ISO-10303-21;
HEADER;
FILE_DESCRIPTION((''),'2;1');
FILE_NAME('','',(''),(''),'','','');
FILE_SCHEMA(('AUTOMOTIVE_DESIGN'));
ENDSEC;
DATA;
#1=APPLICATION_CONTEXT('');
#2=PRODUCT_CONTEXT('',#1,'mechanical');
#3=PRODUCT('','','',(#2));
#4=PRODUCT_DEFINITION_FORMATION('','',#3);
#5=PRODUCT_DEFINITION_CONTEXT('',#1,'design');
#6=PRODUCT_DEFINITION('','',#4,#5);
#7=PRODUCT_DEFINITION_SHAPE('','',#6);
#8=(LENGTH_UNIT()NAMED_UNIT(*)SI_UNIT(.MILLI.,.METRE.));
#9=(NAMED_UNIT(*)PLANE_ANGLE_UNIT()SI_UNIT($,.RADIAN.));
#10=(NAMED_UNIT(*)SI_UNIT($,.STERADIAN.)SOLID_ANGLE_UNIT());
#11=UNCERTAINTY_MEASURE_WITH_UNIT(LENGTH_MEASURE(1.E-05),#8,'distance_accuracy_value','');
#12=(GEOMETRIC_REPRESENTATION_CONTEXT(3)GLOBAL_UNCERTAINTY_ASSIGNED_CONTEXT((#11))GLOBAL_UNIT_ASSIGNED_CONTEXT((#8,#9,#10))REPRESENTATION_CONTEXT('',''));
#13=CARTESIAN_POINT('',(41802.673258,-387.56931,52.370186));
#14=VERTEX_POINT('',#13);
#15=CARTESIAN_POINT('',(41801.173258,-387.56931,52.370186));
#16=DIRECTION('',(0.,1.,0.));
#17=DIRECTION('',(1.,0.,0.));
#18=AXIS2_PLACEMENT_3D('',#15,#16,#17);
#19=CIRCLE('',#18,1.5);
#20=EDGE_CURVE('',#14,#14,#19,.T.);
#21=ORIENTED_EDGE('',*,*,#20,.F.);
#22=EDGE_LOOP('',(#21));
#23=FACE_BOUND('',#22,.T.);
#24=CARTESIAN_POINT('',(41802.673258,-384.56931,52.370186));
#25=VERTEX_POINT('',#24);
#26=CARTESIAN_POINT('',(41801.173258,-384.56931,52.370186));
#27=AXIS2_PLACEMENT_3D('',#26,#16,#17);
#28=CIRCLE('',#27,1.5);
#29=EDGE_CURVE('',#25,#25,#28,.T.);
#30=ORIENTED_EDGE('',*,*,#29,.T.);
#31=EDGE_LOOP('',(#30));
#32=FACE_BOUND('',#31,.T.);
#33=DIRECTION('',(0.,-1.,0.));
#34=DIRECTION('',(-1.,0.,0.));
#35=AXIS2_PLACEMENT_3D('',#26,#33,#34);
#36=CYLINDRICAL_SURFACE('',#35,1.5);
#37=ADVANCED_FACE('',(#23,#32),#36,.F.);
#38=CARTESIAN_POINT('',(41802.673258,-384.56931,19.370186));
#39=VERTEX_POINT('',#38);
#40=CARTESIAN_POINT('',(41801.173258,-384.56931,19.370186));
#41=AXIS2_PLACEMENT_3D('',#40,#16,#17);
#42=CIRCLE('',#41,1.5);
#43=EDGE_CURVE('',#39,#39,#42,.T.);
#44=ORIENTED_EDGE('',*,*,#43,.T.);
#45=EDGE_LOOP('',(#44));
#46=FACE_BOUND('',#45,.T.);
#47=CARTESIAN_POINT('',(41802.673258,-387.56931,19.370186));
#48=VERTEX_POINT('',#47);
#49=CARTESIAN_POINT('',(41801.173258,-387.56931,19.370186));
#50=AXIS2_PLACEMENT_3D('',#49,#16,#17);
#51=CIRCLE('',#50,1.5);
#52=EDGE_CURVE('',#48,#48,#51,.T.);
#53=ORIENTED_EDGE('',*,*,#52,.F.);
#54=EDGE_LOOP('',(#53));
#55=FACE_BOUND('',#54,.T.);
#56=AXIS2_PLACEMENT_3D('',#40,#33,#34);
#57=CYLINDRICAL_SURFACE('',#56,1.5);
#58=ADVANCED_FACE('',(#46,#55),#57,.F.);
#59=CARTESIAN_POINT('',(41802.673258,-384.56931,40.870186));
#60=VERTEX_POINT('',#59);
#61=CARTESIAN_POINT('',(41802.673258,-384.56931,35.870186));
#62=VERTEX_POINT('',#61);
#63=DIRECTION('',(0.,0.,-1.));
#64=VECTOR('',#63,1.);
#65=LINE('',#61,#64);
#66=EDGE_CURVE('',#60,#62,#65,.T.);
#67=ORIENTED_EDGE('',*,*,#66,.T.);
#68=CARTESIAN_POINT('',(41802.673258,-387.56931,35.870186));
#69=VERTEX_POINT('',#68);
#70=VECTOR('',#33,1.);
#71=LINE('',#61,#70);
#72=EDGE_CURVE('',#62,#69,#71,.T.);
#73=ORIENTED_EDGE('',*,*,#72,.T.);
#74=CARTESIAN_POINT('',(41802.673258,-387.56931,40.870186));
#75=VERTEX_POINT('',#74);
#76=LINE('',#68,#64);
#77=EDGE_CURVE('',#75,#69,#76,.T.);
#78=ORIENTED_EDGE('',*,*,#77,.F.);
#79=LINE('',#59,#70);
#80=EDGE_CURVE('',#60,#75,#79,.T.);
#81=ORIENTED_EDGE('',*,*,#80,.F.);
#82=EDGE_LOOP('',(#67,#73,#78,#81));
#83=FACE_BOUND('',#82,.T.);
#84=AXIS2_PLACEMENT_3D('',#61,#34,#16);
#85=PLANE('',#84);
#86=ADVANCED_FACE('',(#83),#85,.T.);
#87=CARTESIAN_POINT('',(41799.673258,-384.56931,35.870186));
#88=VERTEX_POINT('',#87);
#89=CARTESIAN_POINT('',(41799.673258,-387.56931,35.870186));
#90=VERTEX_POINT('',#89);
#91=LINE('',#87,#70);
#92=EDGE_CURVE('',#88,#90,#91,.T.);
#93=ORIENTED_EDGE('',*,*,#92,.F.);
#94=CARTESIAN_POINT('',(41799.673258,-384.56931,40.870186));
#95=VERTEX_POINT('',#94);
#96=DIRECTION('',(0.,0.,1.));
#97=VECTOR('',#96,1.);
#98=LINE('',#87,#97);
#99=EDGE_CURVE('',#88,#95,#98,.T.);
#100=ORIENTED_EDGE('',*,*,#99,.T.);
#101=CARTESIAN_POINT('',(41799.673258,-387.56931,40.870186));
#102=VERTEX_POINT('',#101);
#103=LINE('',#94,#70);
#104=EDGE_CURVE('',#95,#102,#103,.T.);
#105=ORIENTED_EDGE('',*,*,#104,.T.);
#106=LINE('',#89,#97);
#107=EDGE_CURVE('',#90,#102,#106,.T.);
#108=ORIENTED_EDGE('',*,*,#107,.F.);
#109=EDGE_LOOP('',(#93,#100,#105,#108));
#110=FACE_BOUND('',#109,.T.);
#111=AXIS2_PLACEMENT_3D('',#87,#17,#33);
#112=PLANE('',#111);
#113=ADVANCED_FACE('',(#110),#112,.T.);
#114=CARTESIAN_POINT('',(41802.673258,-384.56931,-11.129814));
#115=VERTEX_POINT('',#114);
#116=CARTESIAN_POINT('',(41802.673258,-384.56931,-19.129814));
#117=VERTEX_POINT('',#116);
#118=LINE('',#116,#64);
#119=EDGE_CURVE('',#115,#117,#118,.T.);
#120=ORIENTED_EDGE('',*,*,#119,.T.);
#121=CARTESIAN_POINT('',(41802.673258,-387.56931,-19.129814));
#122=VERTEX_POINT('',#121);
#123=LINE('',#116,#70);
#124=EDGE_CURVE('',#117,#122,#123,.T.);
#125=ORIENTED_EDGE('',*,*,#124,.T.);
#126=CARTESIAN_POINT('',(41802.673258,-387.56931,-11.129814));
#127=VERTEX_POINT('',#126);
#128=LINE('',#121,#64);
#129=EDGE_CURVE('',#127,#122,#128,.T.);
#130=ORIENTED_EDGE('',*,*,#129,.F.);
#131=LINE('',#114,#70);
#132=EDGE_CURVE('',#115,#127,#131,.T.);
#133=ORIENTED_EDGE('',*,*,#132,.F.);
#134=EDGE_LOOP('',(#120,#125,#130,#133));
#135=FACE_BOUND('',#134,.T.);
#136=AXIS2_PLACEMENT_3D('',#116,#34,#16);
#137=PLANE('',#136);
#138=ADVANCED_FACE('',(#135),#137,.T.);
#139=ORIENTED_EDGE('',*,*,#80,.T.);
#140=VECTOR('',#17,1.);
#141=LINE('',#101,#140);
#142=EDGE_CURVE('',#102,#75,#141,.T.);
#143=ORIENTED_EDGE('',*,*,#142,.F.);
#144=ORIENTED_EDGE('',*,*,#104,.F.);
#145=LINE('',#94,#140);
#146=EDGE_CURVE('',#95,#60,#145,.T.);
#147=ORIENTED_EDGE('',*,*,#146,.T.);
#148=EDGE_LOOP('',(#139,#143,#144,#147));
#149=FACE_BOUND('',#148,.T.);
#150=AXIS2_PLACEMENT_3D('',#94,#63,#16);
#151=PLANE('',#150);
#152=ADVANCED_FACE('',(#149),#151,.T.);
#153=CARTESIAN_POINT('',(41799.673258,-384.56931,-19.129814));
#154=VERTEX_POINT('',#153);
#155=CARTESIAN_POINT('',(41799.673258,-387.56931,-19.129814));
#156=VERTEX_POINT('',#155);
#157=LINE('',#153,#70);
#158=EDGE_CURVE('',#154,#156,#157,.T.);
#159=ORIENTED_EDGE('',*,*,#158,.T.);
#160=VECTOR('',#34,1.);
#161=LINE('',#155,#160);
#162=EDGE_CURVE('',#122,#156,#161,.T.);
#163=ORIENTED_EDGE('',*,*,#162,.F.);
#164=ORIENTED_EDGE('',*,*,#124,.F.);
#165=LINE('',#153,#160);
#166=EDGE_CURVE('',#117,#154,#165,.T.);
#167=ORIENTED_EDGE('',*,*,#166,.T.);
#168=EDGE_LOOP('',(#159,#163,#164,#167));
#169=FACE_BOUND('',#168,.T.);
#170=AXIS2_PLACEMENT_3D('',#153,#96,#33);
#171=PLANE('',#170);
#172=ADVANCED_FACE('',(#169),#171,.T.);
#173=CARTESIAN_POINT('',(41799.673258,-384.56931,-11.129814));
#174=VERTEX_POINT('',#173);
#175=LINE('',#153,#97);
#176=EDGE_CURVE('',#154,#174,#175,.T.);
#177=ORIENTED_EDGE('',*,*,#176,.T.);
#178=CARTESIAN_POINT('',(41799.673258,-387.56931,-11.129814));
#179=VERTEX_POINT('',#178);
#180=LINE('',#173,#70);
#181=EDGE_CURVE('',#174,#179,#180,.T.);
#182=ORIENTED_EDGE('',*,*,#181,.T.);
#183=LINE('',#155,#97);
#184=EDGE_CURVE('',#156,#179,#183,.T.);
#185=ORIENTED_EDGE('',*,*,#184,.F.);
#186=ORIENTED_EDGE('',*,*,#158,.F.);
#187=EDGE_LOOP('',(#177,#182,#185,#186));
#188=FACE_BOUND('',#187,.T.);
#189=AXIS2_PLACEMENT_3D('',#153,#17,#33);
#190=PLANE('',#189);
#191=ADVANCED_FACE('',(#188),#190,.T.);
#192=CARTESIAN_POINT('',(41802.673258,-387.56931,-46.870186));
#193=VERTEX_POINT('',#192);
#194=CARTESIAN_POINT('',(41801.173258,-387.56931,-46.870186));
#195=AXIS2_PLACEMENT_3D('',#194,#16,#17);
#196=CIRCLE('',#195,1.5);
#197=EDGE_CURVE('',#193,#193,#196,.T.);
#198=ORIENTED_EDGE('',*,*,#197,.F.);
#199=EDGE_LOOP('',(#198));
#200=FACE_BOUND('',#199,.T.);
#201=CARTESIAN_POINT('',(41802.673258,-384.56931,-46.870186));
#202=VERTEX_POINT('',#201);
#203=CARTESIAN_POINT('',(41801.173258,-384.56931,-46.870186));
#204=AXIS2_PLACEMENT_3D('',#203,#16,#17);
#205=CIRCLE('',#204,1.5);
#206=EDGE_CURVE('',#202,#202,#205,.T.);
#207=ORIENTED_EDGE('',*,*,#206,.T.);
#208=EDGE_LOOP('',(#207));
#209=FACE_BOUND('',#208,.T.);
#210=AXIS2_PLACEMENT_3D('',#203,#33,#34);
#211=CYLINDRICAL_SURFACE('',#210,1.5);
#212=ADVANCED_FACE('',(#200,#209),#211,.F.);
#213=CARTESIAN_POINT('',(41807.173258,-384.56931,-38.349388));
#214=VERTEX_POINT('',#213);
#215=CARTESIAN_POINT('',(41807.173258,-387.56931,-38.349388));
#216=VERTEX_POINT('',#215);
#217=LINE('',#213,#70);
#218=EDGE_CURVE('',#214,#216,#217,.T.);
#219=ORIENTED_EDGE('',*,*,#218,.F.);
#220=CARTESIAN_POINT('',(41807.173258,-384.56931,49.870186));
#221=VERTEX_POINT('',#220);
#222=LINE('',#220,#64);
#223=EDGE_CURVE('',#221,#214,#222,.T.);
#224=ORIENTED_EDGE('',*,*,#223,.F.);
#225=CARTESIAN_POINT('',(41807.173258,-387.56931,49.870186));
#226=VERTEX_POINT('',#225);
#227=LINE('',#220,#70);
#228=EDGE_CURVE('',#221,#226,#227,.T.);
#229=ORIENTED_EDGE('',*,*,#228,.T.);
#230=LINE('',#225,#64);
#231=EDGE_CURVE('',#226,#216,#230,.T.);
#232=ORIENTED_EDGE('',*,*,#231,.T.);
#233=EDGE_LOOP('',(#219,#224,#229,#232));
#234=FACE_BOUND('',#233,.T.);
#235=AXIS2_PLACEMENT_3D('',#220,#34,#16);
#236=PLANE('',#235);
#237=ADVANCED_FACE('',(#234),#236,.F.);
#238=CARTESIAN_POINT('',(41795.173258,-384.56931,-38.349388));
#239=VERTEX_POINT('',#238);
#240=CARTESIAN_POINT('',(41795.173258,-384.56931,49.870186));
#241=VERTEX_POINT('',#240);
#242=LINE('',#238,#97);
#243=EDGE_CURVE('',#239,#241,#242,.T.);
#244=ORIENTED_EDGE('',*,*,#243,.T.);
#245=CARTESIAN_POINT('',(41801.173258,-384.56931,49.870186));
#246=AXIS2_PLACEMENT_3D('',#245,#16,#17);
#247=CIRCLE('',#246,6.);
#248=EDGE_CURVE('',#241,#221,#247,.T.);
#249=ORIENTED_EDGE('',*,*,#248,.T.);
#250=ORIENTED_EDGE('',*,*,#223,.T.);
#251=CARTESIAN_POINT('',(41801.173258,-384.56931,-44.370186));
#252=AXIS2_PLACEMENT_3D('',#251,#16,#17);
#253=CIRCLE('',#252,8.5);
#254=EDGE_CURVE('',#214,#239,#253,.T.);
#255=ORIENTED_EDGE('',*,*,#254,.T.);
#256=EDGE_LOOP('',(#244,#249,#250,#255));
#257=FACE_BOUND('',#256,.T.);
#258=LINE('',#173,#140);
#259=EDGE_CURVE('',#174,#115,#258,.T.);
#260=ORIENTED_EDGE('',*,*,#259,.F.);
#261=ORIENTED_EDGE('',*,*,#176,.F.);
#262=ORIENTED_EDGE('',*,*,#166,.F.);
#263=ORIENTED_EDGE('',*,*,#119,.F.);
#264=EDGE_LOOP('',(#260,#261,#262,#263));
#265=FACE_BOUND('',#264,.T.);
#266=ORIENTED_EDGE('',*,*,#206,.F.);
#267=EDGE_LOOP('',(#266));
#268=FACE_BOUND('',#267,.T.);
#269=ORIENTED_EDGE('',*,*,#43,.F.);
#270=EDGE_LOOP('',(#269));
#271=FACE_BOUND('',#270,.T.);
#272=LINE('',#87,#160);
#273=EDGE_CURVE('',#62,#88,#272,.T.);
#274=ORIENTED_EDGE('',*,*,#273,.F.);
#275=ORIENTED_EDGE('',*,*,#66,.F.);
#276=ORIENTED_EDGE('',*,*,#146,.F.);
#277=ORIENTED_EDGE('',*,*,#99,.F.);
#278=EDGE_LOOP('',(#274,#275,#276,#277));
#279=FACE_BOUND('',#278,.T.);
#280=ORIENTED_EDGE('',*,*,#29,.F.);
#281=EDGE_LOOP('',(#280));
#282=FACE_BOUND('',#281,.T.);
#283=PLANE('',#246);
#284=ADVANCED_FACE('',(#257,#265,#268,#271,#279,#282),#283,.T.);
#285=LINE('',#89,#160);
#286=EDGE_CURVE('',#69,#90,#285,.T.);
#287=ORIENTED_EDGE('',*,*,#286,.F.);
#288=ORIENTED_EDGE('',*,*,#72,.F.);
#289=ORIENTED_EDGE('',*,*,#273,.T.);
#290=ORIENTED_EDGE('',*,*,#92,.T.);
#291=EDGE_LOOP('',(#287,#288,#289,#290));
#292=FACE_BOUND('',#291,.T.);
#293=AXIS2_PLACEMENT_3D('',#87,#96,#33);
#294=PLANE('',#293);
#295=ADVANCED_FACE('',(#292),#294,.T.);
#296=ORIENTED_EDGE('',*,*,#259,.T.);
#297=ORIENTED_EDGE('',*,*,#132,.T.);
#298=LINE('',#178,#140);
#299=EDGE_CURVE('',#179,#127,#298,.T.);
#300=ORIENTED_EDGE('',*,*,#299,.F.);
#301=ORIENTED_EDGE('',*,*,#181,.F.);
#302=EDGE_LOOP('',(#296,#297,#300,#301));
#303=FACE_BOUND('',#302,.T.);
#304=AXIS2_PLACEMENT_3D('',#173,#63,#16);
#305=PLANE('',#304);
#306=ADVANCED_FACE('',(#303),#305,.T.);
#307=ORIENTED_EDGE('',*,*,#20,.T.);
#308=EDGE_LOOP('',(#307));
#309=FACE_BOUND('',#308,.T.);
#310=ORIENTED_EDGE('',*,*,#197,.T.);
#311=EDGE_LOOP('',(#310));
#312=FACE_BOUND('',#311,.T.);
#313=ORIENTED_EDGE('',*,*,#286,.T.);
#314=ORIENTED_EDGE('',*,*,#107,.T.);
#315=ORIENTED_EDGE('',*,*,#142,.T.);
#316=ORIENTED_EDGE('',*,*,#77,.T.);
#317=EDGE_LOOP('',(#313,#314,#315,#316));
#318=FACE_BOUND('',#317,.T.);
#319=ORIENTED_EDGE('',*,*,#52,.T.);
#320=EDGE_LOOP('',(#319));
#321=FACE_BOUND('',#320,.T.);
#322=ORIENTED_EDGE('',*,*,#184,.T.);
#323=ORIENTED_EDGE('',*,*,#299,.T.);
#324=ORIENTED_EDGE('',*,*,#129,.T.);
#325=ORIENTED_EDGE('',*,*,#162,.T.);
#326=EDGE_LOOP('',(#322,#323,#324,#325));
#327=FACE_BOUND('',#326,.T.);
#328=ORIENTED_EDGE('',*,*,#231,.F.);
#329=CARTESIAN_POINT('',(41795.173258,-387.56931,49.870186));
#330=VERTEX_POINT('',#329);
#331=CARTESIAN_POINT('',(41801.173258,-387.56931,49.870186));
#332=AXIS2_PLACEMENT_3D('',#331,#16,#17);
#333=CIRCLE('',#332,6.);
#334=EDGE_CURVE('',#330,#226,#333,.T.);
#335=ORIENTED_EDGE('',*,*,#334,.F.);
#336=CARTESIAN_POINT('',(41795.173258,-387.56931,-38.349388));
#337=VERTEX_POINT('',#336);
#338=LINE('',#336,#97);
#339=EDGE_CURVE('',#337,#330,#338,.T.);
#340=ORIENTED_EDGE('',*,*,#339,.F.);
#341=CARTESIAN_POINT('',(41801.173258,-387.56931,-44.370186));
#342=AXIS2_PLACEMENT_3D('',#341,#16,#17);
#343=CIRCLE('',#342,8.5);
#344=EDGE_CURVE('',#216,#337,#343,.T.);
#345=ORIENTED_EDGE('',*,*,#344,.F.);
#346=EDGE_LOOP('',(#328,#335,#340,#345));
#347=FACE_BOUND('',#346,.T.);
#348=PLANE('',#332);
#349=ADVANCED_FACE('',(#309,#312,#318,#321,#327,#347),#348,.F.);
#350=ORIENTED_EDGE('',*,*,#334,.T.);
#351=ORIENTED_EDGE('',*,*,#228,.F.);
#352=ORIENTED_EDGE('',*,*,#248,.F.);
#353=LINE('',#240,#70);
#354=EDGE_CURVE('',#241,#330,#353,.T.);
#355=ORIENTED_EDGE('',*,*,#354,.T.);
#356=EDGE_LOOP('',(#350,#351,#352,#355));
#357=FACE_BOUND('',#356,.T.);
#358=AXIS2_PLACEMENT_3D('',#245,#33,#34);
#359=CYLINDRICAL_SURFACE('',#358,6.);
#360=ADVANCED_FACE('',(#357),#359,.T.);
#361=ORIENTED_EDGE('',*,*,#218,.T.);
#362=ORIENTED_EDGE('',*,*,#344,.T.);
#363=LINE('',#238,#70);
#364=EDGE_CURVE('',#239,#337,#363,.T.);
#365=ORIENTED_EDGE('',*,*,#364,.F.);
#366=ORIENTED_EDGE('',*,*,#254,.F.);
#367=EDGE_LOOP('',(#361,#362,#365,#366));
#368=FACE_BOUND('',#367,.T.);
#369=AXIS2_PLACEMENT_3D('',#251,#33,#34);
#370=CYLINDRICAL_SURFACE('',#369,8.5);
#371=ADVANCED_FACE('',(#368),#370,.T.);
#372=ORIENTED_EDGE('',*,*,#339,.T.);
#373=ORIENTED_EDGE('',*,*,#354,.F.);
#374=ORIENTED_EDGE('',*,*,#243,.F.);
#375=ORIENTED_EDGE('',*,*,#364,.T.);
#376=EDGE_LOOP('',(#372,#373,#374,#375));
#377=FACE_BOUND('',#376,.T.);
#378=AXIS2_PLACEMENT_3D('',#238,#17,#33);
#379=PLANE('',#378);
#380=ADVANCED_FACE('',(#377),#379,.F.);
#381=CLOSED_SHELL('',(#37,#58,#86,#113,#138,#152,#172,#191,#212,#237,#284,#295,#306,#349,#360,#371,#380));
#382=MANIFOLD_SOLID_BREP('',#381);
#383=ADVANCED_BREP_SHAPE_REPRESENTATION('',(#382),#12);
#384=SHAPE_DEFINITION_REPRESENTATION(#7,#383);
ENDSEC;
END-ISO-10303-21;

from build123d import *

# Parameters (mm, degrees)
CROQUIS1_R                 = 1.5
CROQUIS1_W                 = 3
CROQUIS1_H                 = 7.999999999
CROQUIS1_H_2               = 5
SALIENTE_EXTRUIR1_DEPTH    = 3
S_LIDO_MOVER_COPIAR1_ANGLE = 90


with BuildPart() as part:
    # Croquis1 → Saliente-Extruir1 (new body)
    with BuildSketch(Plane.XY):
        with BuildLine():
            Line((41807.173257962, -434.43949549), (41807.173257962, -346.219921492))
            ThreePointArc((41807.173257962, -346.219921492), (41801.173257962, -331.699124202), (41795.173257962, -346.219921492))
            Line((41795.173257962, -346.219921492), (41795.173257962, -434.43949549))
            ThreePointArc((41795.173257962, -434.43949549), (41801.173257962, -440.43949549), (41807.173257962, -434.43949549))
        make_face()
        with Locations((41801.173257962, -337.699124202)):
            Circle(CROQUIS1_R, mode=Mode.SUBTRACT)
        with Locations((41801.173257962, -403.93949549)):
            Circle(CROQUIS1_R, mode=Mode.SUBTRACT)
        with Locations((41801.173257962, -436.93949549)):
            Circle(CROQUIS1_R, mode=Mode.SUBTRACT)
        with Locations((41801.173257962, -369.439495491)):
            Rectangle(CROQUIS1_W, CROQUIS1_H, mode=Mode.SUBTRACT)
        with Locations((41801.173257962, -422.93949549)):
            Rectangle(CROQUIS1_W, CROQUIS1_H_2, mode=Mode.SUBTRACT)
    extrude(amount=SALIENTE_EXTRUIR1_DEPTH)


with BuildPart() as part_1:
    # Sólido-Mover/Copiar1: moved
    add(part.part.rotate(Axis((0, -386.069309846, 1.5), (-1, 0, 0)), S_LIDO_MOVER_COPIAR1_ANGLE))


solid = part_1.part
